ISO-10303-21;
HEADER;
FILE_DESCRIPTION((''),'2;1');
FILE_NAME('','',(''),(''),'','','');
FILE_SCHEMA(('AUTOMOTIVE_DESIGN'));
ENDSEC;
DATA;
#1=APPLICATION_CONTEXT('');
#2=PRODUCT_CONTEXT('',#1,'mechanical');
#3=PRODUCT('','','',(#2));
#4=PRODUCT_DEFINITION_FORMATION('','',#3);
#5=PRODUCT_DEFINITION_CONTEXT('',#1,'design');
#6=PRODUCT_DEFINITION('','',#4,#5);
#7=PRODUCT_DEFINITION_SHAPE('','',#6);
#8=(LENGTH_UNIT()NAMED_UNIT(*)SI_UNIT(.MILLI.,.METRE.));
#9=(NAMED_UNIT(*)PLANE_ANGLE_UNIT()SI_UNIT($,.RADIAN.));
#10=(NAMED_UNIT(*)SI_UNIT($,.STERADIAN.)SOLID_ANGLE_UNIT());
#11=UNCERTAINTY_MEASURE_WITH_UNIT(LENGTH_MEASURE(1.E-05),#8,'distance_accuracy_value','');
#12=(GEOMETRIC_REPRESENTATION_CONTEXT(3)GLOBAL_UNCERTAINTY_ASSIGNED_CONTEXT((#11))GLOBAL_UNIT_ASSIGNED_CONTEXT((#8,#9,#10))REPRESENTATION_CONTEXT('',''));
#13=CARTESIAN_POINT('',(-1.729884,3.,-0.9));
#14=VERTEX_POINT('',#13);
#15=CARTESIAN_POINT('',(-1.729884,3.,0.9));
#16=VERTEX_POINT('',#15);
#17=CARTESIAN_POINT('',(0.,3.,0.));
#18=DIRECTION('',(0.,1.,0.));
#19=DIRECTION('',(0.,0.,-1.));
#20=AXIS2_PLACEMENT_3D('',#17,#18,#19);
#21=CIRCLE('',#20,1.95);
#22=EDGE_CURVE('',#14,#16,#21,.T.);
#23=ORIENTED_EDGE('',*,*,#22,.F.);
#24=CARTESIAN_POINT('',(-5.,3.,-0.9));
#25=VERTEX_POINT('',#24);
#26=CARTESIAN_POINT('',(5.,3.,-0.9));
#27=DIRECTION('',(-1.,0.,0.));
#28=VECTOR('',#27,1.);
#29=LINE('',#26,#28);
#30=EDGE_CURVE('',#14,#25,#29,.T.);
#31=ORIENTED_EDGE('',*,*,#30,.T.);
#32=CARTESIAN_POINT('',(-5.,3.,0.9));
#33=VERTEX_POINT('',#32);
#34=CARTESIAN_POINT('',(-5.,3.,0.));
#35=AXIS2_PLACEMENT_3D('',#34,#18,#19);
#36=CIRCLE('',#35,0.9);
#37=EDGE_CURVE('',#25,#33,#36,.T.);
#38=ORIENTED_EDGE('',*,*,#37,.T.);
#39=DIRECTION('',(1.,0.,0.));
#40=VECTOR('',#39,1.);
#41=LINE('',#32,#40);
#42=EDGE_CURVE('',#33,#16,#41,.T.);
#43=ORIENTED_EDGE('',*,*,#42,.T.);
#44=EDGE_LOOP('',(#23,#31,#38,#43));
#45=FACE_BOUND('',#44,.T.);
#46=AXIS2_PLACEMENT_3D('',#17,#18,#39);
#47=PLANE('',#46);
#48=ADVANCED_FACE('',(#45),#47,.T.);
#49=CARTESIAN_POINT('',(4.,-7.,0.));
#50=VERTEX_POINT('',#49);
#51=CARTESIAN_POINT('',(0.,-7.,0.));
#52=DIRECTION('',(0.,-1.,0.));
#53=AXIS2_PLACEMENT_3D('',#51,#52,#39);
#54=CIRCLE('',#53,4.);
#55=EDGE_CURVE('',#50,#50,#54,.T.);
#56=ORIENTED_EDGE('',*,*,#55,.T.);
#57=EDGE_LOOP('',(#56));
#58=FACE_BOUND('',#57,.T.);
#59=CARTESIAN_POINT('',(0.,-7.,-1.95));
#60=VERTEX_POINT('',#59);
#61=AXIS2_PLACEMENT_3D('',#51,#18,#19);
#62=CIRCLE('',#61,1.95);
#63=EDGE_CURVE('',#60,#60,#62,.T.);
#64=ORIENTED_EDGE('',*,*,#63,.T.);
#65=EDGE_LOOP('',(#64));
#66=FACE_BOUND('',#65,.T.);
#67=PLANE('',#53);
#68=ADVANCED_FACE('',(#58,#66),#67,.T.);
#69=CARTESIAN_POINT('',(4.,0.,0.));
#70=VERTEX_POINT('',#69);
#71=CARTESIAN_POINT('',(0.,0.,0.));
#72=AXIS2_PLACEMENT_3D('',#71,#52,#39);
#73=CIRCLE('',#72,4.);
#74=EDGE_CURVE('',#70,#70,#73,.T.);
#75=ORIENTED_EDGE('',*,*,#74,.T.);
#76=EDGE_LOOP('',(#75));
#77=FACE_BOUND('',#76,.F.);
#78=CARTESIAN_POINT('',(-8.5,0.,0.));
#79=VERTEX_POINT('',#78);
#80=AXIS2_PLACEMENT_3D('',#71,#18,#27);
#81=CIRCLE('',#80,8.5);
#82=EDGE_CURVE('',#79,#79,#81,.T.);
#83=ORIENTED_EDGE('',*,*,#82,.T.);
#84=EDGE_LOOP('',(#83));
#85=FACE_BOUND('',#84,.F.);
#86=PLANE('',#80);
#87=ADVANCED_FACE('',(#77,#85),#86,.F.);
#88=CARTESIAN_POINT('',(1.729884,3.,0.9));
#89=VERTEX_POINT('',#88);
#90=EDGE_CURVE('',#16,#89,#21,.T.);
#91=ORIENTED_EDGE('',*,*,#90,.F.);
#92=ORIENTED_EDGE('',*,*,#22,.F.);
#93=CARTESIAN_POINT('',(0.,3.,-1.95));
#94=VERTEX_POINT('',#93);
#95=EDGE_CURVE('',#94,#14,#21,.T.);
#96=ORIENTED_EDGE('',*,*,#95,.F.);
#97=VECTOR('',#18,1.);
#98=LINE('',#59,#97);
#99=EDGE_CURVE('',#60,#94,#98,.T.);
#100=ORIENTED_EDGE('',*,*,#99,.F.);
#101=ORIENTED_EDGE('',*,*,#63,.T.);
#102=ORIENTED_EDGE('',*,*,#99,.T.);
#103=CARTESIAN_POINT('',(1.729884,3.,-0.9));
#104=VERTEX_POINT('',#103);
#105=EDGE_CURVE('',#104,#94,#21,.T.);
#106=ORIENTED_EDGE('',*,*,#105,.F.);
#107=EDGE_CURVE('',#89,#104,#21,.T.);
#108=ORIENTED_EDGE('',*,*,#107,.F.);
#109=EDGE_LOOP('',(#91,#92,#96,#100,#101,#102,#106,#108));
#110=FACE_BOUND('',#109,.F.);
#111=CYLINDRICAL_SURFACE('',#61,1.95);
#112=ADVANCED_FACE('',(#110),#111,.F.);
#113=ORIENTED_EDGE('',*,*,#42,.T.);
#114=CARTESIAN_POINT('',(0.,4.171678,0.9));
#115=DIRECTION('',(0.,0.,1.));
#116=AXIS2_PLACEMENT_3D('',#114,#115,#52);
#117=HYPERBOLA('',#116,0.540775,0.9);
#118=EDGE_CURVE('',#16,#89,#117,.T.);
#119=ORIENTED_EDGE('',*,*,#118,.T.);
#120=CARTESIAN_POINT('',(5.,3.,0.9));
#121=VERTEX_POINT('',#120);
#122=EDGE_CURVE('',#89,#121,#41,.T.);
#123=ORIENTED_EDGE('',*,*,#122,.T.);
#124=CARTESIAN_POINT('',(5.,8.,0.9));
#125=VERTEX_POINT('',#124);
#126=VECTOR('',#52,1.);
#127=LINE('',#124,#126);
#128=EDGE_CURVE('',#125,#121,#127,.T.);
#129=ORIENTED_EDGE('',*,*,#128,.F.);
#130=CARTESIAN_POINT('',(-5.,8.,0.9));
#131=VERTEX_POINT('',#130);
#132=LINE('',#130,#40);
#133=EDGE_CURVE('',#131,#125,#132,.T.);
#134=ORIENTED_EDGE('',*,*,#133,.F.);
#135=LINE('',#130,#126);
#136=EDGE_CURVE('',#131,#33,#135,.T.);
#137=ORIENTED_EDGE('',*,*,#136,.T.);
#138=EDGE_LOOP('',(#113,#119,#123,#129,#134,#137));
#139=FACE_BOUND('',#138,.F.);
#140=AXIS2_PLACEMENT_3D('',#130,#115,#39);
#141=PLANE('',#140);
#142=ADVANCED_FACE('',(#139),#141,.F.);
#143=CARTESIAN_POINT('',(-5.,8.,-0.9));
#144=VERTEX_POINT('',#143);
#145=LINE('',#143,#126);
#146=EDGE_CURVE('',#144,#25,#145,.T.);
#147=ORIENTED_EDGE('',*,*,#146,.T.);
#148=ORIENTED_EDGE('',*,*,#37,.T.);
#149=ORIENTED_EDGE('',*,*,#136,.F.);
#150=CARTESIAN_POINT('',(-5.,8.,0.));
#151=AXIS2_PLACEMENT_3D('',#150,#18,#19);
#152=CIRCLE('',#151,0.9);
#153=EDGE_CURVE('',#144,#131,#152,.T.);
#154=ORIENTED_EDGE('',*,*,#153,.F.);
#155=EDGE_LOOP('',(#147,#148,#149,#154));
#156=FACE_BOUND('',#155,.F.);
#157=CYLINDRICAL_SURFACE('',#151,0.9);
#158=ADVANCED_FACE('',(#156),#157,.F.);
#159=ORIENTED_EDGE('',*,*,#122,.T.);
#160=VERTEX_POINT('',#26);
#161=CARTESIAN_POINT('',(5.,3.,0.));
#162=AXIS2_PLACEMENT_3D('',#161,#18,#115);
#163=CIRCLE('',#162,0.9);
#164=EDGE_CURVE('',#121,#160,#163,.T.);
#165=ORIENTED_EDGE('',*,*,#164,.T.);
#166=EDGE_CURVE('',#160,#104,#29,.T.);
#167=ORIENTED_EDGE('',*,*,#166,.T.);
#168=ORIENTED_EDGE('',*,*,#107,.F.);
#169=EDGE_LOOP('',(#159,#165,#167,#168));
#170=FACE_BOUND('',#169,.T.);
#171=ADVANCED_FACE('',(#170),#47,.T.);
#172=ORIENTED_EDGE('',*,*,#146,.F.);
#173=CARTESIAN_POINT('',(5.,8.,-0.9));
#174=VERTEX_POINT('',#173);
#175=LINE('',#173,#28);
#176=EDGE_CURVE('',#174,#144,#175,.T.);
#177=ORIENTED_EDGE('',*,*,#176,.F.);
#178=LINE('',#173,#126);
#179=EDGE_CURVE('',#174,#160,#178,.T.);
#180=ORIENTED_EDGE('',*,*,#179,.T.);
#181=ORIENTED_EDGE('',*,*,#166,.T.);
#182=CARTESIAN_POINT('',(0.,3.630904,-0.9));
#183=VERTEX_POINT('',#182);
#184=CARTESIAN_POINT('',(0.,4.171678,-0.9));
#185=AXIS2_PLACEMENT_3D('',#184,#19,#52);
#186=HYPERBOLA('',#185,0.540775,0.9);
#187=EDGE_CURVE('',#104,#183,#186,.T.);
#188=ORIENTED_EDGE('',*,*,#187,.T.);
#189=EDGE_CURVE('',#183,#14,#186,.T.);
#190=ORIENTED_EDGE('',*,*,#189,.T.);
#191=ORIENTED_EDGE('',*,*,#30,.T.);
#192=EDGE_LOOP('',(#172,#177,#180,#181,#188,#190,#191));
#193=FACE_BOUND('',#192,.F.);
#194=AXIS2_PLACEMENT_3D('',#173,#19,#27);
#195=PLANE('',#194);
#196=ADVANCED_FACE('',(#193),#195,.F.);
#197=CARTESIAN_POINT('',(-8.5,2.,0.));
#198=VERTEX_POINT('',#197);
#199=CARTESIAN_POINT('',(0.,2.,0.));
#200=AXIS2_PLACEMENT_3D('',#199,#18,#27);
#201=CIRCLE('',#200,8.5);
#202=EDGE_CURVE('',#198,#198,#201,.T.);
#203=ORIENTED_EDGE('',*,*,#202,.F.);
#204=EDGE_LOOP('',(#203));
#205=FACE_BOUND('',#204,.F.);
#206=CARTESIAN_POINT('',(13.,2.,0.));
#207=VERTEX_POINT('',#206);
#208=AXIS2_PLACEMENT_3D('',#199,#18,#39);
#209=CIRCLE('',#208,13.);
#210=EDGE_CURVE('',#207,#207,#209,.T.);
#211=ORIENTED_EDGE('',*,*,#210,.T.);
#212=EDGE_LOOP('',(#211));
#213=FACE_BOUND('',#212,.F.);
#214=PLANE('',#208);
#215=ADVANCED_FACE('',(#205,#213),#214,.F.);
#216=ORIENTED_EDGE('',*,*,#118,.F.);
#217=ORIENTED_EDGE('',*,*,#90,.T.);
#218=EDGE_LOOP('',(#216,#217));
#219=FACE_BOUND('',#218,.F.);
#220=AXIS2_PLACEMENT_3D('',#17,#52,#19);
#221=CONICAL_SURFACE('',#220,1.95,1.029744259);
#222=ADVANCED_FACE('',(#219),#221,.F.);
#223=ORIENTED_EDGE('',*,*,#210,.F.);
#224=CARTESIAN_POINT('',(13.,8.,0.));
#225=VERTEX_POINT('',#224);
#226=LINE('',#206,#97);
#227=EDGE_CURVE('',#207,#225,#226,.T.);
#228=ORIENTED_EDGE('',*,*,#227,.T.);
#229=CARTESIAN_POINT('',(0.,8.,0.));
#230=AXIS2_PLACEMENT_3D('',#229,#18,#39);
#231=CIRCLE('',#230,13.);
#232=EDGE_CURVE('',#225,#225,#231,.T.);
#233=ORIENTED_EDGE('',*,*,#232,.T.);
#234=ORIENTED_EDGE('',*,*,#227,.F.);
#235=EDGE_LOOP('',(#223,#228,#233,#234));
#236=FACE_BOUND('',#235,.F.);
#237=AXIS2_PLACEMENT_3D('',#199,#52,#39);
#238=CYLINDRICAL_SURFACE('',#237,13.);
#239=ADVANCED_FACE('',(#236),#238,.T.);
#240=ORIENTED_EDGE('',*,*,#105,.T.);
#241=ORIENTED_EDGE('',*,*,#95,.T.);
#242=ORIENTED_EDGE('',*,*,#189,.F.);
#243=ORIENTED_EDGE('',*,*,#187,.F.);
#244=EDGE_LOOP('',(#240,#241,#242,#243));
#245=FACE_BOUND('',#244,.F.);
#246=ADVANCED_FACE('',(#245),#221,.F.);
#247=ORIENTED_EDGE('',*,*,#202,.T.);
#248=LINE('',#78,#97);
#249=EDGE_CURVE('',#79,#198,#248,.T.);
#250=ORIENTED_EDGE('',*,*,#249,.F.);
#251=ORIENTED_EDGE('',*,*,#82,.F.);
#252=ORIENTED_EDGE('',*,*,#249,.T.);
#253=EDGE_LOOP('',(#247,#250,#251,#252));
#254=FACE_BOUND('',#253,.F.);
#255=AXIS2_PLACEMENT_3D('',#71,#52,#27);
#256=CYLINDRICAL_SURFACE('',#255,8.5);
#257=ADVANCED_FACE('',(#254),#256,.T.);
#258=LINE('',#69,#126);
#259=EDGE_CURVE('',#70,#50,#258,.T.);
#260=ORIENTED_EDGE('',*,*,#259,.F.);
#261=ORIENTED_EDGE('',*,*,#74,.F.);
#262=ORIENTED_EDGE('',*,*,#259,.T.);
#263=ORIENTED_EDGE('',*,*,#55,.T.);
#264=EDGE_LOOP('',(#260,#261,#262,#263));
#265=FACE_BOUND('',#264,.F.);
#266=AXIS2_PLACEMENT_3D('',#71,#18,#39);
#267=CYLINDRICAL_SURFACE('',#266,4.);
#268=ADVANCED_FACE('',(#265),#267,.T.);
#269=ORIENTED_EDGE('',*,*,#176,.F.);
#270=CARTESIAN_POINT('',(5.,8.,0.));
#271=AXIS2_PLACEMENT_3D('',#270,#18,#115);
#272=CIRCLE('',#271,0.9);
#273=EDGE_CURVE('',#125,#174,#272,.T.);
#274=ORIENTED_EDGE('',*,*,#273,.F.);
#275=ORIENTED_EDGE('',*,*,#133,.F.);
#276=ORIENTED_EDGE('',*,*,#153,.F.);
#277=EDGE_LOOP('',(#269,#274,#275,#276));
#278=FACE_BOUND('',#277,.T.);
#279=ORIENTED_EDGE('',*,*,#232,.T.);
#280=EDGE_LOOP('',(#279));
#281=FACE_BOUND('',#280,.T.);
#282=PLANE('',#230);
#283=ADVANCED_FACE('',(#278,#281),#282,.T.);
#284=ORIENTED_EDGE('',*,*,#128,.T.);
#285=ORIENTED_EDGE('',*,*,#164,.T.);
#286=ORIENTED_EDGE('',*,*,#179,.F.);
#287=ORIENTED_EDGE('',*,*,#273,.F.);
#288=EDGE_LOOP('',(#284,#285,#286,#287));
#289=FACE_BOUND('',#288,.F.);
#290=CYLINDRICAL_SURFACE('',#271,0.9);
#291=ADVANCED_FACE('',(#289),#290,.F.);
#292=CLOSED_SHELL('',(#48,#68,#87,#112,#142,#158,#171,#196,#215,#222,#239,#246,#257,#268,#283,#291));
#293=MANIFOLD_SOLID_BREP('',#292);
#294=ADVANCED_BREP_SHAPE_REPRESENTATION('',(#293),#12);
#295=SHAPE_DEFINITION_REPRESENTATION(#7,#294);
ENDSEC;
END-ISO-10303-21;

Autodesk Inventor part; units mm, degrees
ref_plane "YZ Plane" through (0, 0, 0) normal (1, 0, 0) x (0, 1, 0)
ref_plane "XZ Plane" through (0, 0, 0) normal (0, 1, 0) x (-1, 0, 0)
ref_plane "XY Plane" through (0, 0, 0) normal (0, 0, 1) x (1, 0, 0)
sketch "Sketch1" plane through (0, 0, 0) normal (0, 1, 0) x (-1, 0, 0)
  circle A0 centre (0, 0) radius 8.5
  dimension "d0" = 17
extrude "Extrusion1" add sketch "Sketch1" along normal blind 2
sketch "Sketch2" plane through (0, 2, 0) normal (0, 1, 0) x (1, 0, 0)
  circle A0 centre (0, 0) radius 13
  dimension "d3" = 26
extrude "Extrusion2" add sketch "Sketch2" along normal blind 6
sketch "Sketch3" plane through (0, 0, 0) normal (0, -1, 0) x (1, 0, 0)
  circle A0 centre (0, 0) radius 4
  dimension "d6" = 8
extrude "Extrusion3" add sketch "Sketch3" along normal blind 7
sketch "Sketch4" plane through (0, -7, 0) normal (0, -1, 0) x (1, 0, 0)
  point P0 (0, 0)
  point P1 (0, 0)
hole "Hole1" at (0, -7, 0) direction (0, 1, 0) diameter 3.9 depth 10 tip angle 118
sketch "Sketch6" plane through (0, 8, 0) normal (0, 1, 0) x (1, 0, 0)
  line L0 (5, 0) -> (-5, 0) construction
  line L1 (5, 0.9) -> (-5, 0.9)
  line L2 (-5, -0.9) -> (5, -0.9)
  arc A0 (5, -0.9) -> (5, 0.9) centre (5, 0) ccw
  arc A1 (-5, 0.9) -> (-5, -0.9) centre (-5, 0) ccw
  point P0 (0, 0)
  point P1 (0, 0)
  dimension "d24" = 1.8
  dimension "d25" = 10
extrude "Extrusion5" cut sketch "Sketch6" against normal blind 5
sketch "Sketch7" plane through (0, 8, 0) normal (0, 1, 0) x (1, 0, 0)
  line L0 (0.9699, -12.5028) -> (-0.9699, -12.5028)
  line L1 (-0.9699, -12.5028) -> (-0.9699, -13.4972)
  line L2 (-0.9699, -13.4972) -> (0.9699, -13.4972)
  line L3 (0.9699, -13.4972) -> (0.9699, -12.5028)
  circle A0 centre (0, 0) radius 13 projected
  line L4 (0.9699, -12.5028) -> (-0.9699, -13.4972) construction
  line L5 (-0.9699, -12.5028) -> (0.9699, -13.4972) construction
  circle A1 centre (0, 0) radius 13 projected
  line L6 (0, -13) -> (0, 0) construction
properties part number "Arm - 608 bearing cap [Med]"
